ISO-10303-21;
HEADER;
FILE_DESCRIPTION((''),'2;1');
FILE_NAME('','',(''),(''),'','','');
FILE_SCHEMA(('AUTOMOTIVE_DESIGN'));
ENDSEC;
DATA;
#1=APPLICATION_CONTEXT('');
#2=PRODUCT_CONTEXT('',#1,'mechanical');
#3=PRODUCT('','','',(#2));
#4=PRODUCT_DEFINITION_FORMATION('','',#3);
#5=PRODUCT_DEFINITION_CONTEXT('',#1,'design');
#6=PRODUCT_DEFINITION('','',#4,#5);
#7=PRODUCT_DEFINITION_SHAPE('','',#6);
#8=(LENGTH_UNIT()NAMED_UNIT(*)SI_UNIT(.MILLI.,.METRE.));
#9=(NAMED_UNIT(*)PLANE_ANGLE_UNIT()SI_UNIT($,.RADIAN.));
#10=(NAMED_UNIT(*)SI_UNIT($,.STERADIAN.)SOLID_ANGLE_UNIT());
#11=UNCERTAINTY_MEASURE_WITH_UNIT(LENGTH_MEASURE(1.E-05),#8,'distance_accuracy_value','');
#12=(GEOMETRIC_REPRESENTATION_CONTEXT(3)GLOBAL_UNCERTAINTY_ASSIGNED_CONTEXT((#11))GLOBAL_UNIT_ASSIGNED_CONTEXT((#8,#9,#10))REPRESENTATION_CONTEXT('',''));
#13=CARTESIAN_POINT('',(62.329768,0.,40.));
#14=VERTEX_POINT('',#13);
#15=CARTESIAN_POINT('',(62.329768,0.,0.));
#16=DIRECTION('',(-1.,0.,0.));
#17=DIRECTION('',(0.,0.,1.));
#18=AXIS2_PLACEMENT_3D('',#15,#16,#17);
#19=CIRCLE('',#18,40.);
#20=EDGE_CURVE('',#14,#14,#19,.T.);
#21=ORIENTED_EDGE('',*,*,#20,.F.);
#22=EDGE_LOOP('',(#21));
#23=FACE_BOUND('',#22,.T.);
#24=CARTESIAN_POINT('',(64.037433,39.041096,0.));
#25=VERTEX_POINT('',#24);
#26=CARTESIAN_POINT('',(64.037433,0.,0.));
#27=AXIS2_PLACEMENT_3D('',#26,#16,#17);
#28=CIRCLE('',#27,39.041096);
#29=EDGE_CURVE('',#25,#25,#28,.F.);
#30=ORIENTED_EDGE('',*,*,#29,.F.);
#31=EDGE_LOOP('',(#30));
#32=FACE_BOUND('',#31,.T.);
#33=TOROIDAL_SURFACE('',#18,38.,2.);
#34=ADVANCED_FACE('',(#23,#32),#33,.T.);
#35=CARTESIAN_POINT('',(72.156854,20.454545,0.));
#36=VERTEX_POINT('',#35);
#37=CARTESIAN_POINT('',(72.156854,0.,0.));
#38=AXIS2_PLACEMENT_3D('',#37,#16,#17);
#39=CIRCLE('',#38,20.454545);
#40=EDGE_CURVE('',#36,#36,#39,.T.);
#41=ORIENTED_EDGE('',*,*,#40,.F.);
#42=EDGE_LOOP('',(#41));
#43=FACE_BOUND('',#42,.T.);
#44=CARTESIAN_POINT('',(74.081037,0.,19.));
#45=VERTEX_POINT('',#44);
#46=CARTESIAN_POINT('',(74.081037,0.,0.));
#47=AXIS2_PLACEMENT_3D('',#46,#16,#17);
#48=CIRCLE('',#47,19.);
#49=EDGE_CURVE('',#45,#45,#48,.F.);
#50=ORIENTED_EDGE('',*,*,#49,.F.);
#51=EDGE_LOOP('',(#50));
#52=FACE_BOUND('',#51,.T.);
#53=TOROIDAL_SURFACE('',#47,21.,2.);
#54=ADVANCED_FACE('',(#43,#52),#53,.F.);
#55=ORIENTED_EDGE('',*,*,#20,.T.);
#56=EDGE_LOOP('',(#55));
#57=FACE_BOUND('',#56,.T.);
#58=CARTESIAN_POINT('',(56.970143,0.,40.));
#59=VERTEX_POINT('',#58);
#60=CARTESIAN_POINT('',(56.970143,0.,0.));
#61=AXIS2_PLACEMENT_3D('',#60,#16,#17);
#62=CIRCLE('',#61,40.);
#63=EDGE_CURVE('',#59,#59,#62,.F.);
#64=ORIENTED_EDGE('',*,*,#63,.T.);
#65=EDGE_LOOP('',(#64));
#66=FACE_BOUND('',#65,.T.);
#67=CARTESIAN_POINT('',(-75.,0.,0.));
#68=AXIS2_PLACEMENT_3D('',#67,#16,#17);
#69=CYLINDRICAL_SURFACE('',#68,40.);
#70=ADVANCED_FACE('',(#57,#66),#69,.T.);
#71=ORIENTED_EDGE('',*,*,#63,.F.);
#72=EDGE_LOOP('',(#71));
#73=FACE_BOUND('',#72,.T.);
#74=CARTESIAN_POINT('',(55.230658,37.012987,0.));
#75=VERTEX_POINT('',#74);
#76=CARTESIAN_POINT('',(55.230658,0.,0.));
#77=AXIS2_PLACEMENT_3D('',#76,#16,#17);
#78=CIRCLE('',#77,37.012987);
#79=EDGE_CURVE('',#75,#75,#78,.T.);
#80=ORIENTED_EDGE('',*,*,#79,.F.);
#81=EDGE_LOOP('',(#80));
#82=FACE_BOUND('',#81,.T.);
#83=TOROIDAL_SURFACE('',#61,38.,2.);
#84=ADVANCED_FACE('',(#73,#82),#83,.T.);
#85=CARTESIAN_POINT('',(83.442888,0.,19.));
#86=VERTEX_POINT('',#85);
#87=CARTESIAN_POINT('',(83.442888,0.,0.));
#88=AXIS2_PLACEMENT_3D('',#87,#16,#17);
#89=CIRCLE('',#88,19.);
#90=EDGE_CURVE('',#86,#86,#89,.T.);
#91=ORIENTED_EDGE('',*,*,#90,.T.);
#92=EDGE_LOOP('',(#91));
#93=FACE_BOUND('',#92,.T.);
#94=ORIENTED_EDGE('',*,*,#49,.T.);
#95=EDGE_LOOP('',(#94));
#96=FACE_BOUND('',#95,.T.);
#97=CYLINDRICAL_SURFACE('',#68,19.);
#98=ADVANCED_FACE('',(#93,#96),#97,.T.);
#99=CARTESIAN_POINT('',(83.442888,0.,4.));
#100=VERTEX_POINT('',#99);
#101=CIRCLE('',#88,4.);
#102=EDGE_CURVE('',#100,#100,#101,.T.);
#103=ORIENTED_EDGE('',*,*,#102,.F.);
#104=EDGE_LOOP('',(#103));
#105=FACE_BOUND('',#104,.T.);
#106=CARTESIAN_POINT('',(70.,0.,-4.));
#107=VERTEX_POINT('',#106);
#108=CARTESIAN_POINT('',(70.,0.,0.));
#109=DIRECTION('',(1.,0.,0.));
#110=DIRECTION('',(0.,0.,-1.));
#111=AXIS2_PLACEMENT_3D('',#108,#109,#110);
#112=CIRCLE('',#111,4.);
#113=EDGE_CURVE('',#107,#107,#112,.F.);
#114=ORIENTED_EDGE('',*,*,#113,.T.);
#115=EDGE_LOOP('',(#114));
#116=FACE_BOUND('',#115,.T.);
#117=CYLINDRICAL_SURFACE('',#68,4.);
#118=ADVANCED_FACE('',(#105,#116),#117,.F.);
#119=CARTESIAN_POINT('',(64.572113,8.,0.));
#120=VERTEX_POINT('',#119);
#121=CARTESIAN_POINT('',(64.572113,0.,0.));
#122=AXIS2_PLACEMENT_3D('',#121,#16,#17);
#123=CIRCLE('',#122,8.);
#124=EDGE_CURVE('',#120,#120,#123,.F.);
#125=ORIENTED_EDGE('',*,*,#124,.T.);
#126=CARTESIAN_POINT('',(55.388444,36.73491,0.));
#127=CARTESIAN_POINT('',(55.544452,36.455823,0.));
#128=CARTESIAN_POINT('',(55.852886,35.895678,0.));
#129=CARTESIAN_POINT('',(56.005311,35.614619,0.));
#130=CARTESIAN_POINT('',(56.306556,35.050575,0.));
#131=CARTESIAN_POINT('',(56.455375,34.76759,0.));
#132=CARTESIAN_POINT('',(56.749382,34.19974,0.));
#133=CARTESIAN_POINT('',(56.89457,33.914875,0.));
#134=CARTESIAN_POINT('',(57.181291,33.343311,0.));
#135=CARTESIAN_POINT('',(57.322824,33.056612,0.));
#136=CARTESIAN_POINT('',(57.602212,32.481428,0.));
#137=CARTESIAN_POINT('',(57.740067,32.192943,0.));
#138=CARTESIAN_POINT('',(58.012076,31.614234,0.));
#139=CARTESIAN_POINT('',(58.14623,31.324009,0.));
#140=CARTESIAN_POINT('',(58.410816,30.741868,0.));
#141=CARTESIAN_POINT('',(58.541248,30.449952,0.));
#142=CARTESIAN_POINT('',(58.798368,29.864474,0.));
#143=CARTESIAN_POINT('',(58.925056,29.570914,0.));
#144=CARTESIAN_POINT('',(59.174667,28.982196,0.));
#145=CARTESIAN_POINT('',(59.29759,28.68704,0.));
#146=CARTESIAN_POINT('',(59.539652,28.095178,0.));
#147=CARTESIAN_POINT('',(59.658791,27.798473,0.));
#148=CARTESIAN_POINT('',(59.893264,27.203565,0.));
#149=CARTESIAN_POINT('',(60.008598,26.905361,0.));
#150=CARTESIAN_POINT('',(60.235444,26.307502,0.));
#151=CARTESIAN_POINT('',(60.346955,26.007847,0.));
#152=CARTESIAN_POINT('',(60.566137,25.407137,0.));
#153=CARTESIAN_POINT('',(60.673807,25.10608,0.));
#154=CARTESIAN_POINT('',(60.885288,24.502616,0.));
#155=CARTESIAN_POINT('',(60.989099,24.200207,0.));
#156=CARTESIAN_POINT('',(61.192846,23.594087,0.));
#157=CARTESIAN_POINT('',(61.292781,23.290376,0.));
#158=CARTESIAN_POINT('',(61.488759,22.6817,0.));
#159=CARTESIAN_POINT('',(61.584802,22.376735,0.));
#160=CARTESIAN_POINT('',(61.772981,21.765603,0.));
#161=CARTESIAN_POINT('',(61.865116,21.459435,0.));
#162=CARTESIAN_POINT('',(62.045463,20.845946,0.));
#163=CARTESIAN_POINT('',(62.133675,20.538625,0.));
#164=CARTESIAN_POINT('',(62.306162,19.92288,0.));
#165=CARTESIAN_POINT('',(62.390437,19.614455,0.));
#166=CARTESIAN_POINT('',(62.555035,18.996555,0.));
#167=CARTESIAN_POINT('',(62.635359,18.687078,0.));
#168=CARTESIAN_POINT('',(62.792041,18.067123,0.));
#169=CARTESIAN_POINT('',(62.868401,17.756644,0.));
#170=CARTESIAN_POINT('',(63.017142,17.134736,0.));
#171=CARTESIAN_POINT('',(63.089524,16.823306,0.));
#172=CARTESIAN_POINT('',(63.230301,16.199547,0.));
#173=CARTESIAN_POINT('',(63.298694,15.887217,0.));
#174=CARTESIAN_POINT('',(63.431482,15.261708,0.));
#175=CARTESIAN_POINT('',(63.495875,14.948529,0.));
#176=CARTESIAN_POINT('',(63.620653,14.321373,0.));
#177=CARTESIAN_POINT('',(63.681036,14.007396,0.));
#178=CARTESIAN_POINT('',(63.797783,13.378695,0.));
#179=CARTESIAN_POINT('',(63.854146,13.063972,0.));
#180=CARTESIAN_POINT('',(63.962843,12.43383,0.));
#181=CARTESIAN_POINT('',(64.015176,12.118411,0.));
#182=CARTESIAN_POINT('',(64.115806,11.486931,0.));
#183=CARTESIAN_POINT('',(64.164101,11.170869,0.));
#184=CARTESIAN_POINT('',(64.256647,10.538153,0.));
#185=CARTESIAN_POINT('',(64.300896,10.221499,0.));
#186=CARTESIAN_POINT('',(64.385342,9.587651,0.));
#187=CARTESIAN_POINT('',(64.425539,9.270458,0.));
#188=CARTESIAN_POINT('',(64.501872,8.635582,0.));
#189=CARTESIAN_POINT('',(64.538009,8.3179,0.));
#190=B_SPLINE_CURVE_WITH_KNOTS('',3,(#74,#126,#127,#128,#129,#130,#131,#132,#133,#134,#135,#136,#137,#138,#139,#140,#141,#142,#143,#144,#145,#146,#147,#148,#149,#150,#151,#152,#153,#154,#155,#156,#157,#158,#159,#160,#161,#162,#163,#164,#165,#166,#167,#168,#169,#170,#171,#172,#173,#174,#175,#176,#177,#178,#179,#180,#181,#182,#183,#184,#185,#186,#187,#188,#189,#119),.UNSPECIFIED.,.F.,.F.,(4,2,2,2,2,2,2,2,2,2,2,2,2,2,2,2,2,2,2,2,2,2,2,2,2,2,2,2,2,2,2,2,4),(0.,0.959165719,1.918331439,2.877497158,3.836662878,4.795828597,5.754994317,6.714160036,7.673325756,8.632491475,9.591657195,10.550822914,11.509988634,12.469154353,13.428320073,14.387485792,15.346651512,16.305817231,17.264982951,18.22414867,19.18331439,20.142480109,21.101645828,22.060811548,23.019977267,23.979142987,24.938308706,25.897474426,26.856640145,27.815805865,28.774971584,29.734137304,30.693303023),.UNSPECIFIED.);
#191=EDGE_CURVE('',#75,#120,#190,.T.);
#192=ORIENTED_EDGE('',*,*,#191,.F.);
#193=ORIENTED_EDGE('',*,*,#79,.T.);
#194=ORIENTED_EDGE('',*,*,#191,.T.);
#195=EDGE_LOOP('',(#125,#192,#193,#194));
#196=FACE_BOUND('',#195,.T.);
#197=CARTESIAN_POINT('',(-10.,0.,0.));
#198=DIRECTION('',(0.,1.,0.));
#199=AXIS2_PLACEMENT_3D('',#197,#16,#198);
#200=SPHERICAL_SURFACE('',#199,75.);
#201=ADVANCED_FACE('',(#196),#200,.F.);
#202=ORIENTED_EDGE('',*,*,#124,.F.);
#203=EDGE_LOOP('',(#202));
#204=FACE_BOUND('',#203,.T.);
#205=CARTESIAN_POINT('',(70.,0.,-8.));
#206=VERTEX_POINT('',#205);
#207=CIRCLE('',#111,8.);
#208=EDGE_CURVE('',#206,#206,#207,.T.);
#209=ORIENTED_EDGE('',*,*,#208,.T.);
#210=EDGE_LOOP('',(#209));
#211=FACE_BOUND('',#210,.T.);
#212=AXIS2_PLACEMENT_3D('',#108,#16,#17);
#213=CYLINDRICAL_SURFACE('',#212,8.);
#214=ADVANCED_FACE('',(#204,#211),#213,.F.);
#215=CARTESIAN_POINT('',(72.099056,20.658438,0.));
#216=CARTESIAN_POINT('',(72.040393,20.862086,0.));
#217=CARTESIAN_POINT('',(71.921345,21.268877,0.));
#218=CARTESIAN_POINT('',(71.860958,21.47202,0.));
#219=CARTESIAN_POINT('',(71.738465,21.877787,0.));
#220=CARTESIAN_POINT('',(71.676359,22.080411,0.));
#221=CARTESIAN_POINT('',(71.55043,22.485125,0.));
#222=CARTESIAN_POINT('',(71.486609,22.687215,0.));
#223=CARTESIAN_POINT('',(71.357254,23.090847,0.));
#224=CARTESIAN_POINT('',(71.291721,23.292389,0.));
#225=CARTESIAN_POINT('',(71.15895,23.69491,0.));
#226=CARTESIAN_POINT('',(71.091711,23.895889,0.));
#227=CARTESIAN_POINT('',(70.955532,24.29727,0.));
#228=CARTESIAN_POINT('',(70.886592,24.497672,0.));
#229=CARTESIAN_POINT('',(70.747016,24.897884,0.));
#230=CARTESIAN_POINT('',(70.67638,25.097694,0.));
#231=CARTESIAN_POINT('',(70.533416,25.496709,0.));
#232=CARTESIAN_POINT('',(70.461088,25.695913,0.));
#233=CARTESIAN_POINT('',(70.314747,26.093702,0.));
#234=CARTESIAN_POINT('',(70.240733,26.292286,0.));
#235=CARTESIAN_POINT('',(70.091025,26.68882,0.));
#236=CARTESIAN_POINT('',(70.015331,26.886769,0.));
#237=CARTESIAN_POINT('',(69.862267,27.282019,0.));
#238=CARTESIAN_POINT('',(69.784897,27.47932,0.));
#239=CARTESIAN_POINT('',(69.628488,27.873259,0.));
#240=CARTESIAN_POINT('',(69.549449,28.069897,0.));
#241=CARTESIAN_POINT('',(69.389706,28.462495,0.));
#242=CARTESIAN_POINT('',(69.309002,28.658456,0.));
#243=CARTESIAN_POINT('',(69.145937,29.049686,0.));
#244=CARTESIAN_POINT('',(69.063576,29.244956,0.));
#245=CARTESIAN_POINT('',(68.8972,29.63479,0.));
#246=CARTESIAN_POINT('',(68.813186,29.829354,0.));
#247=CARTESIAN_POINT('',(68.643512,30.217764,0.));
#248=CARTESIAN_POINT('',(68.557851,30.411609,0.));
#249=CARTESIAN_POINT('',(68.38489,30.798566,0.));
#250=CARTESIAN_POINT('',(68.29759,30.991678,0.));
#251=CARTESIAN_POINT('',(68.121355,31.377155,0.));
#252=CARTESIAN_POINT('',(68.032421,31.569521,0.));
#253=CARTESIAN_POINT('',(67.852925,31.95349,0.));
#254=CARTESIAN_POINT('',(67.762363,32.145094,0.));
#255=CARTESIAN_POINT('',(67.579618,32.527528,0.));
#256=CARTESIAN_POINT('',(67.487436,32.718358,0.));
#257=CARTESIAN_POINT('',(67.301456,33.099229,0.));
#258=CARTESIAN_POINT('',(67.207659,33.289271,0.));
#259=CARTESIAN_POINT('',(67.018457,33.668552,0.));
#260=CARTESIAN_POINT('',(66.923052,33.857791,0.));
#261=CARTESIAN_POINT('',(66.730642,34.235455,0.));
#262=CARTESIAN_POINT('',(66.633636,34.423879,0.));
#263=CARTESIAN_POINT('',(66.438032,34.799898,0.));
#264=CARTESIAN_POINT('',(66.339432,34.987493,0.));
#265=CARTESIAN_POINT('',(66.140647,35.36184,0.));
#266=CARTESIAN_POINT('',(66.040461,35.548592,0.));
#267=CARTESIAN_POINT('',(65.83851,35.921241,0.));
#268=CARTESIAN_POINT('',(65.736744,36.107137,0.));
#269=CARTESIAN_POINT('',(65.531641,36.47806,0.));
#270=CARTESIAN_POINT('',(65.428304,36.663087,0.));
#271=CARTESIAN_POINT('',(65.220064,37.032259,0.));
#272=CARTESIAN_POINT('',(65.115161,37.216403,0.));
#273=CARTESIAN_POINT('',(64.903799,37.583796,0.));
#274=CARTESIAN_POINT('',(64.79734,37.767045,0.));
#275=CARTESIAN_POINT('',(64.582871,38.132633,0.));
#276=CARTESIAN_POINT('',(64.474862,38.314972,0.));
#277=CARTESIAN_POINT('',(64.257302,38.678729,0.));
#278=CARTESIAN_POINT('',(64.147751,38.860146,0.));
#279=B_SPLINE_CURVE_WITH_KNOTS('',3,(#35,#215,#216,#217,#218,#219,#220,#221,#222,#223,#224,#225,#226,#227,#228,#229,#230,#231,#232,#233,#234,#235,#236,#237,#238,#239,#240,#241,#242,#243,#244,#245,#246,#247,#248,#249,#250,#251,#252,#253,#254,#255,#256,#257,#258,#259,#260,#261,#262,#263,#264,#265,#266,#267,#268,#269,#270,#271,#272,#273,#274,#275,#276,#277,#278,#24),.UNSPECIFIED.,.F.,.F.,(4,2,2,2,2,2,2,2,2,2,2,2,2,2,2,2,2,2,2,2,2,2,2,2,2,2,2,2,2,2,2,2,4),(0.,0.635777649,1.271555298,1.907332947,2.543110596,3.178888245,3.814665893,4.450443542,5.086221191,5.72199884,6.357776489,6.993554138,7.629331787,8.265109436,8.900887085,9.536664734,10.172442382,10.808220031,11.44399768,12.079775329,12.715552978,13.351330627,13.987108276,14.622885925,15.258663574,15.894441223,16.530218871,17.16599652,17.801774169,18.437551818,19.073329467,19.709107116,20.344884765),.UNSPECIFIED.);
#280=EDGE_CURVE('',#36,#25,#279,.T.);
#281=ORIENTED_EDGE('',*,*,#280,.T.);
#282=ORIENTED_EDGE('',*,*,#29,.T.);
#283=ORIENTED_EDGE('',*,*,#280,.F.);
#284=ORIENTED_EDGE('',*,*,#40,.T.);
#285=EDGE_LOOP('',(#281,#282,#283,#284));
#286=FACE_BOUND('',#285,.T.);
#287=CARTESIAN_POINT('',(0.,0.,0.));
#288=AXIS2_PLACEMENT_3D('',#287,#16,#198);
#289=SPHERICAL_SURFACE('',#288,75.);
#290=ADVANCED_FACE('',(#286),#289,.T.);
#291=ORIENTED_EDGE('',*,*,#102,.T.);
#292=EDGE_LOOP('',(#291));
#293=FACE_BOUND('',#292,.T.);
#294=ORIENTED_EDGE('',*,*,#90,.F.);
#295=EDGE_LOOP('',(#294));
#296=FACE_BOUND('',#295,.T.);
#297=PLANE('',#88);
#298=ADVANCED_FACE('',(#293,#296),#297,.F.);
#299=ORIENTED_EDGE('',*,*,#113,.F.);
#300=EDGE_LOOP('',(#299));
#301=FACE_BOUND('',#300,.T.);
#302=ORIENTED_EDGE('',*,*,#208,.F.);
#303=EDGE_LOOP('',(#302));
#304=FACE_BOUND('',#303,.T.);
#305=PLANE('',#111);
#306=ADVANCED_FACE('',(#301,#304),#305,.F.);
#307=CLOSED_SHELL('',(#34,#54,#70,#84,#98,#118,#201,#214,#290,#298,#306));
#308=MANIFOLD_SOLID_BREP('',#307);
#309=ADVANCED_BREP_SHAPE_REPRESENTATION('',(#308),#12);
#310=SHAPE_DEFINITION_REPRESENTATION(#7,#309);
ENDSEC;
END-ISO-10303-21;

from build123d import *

# Parameters (mm, degrees)
FILLET_1_R          = 2
SKETCH_2_R          = 8
CUT_EXTRUDE_1_DEPTH = 70


with BuildPart() as part:
    # ｽｹｯﾁ1 → 回転1 (revolve)
    with BuildSketch(Plane.XY):
        with BuildLine():
            Line((64.893257373, 4), (83.442887702, 4))
            Line((83.442887702, 4), (83.442887702, 19))
            Line((83.442887702, 19), (72.553428589, 19))
            ThreePointArc((72.553428589, 19), (68.804066095, 29.849631301), (63.442887702, 40))
            Line((63.442887702, 40), (53.442887702, 40))
            ThreePointArc((53.442887702, 40), (61.471828426, 22.732746015), (64.893257373, 4))
        make_face()
    revolve(axis=Axis((-75, 0, 0), (1, 0, 0)))

    # ﾌｨﾚｯﾄ1
    fillet_1_edges = [part.edges().sort_by_distance(p)[0] for p in [
        (72.553428589, -19, 0),
        (53.442887702, -40, 0),
        (63.442887702, -40, 0),
    ]]
    fillet(fillet_1_edges, radius=FILLET_1_R)

    # ｽｹｯﾁ2 → ｶｯﾄ - 押し出し1 (cut)
    with BuildSketch(Plane(origin=(0, 0, 0), x_dir=(0, 0, -1), z_dir=(1, 0, 0))):
        with Locations(Location((0, 0, 0), (0, 0, 90))):
            Circle(SKETCH_2_R)
    extrude(amount=CUT_EXTRUDE_1_DEPTH, mode=Mode.SUBTRACT)


solid = part.part
